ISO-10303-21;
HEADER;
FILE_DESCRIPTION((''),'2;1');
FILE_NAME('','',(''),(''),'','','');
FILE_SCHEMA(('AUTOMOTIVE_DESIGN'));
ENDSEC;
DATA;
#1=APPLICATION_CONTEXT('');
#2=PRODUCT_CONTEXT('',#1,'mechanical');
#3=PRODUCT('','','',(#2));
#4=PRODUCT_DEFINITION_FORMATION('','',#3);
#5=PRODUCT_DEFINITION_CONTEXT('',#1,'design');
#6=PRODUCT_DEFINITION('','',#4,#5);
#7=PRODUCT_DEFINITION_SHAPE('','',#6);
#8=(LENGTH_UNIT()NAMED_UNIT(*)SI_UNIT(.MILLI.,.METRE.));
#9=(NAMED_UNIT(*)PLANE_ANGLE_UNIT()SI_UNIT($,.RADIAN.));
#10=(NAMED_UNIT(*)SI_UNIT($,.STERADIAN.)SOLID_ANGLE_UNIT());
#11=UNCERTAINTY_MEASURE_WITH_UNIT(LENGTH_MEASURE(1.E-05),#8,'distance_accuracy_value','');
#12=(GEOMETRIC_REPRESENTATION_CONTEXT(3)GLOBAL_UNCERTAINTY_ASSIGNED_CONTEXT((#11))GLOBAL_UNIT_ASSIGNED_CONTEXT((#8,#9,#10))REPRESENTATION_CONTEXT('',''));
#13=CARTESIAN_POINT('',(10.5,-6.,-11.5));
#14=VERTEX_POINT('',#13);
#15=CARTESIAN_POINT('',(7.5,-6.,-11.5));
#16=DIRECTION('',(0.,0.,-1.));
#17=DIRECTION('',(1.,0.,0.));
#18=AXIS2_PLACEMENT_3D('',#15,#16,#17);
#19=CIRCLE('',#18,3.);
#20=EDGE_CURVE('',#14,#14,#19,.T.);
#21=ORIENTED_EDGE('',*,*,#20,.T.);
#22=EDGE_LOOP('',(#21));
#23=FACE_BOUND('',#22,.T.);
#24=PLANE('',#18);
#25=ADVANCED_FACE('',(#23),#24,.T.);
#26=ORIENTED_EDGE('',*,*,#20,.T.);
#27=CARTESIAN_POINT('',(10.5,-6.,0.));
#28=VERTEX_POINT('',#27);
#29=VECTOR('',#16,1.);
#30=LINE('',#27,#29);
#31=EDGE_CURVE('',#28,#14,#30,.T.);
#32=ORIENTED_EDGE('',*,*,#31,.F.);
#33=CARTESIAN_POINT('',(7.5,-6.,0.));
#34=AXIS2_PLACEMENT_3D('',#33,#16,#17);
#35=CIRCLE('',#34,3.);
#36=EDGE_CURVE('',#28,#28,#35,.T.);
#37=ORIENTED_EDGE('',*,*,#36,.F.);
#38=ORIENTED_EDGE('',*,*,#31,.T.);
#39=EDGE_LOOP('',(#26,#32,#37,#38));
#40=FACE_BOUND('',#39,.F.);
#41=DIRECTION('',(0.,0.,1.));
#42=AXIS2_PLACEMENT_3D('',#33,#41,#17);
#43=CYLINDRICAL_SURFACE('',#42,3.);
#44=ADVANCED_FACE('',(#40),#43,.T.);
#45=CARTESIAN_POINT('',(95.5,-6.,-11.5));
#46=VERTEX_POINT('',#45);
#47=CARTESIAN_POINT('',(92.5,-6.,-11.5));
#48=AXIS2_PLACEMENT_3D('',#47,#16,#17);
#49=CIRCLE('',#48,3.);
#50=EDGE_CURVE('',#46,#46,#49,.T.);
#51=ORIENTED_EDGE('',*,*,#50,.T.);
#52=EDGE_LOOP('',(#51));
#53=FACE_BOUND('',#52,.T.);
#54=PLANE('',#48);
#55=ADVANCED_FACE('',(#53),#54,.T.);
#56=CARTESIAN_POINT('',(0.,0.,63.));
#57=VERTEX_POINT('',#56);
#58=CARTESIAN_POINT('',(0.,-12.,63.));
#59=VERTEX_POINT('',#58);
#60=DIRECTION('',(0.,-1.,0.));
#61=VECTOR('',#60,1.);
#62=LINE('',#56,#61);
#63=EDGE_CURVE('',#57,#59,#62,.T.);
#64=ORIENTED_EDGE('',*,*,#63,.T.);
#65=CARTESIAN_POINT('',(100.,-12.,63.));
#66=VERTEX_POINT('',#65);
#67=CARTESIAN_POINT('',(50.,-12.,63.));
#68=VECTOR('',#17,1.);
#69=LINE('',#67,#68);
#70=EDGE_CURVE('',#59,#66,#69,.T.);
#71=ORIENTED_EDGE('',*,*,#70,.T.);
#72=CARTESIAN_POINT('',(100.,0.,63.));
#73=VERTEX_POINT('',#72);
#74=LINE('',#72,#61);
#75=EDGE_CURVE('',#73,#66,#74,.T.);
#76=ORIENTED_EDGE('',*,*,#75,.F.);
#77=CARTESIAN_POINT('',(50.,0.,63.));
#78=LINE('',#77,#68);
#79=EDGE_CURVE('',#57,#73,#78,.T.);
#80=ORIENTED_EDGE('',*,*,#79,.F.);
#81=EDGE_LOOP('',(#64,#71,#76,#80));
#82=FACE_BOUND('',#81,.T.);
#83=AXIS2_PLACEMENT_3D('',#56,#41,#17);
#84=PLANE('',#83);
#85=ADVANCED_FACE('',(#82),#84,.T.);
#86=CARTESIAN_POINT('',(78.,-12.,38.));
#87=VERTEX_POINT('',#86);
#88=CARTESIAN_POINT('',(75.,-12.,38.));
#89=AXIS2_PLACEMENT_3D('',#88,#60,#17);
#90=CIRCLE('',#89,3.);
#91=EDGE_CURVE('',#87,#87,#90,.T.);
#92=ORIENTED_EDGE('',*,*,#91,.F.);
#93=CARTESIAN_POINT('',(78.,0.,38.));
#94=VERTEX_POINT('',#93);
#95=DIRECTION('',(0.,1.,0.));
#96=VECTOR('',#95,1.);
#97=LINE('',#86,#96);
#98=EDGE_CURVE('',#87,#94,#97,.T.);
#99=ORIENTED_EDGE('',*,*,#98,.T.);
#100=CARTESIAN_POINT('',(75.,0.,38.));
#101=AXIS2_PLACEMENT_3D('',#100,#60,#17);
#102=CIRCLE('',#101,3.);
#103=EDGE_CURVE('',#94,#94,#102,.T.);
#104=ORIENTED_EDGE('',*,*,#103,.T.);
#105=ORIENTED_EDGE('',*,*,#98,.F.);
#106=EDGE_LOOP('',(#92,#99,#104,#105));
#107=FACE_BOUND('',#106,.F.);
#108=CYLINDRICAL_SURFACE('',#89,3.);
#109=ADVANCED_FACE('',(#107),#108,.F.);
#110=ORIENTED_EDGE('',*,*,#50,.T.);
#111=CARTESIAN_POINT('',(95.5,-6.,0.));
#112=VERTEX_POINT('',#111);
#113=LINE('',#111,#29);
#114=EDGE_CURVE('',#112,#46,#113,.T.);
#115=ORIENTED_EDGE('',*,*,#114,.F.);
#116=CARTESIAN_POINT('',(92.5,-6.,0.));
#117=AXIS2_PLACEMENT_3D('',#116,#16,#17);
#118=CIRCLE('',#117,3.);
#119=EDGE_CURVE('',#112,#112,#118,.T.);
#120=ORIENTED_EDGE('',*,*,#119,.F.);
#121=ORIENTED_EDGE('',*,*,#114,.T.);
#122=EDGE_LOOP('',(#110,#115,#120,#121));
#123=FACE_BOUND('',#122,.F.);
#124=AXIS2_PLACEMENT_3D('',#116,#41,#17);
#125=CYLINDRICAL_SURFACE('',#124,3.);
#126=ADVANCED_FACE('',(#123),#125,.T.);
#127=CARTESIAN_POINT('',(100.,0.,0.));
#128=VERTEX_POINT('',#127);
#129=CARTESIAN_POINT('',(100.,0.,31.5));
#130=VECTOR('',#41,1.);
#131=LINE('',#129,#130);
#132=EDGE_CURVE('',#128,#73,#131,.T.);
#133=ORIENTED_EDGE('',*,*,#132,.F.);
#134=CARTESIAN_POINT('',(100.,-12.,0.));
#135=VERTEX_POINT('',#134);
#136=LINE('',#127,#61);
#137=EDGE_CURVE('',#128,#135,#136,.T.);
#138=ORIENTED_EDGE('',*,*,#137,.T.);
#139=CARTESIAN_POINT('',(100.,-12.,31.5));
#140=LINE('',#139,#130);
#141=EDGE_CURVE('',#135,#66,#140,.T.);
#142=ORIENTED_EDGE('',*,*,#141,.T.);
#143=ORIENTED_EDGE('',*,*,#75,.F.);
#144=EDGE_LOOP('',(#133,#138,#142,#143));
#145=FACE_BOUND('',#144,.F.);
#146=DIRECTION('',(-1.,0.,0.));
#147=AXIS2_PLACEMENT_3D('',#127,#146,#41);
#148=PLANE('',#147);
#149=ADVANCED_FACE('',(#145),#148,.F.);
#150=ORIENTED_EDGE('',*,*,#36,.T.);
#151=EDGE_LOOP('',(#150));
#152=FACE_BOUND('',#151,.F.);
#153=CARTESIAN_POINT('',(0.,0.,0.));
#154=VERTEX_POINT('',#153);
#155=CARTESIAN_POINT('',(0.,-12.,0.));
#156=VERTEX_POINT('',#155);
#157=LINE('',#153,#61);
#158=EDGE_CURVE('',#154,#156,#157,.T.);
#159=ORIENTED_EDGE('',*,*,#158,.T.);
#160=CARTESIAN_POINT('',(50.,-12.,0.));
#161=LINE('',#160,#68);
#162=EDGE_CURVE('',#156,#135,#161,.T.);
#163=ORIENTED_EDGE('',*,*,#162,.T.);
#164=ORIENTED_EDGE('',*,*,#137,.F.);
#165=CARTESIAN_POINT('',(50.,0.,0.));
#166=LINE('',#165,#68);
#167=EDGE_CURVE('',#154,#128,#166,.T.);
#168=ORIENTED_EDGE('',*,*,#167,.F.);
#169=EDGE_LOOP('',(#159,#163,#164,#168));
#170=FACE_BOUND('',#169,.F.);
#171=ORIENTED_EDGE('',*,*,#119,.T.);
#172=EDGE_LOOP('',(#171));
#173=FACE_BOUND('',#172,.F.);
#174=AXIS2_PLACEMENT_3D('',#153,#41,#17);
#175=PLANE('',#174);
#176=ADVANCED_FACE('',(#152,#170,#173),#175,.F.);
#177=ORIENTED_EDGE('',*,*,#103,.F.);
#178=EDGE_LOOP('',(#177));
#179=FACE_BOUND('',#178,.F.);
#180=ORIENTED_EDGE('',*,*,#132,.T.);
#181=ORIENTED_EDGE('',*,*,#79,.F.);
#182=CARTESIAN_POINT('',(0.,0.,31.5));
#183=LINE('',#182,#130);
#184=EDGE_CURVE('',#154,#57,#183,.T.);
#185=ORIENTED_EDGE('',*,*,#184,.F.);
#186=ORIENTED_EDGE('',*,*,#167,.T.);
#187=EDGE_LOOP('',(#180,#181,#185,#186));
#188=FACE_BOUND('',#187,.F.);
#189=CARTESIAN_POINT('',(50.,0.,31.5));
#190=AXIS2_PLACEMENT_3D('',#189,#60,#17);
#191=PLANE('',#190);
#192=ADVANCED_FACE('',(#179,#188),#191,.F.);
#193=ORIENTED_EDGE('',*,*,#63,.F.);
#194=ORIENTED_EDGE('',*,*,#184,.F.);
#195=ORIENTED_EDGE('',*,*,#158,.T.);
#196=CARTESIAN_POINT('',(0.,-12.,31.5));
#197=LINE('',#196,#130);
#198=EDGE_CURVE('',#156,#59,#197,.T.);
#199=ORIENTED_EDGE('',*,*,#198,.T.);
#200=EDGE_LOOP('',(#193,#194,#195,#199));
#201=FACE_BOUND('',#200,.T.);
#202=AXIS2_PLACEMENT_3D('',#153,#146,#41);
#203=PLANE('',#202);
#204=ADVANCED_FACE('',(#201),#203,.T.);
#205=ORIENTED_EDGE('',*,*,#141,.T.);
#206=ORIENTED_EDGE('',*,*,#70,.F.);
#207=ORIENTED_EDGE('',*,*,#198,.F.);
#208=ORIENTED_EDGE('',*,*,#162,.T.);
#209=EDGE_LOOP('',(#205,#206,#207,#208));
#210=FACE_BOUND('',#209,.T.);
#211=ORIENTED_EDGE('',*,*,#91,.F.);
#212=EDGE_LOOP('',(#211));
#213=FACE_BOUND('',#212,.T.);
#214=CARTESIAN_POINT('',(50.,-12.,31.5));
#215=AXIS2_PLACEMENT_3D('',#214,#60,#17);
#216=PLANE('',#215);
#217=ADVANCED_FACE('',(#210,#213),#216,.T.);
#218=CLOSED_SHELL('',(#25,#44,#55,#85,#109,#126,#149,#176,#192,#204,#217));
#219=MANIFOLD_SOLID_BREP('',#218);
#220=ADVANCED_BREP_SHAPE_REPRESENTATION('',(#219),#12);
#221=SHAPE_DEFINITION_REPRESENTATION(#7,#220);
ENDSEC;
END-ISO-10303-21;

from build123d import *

# Parameters (mm, degrees)
F0_W     = 100
F0_H     = 63
F1_DEPTH = 12
F2_R     = 3
F3_DEPTH = 11.5
F4_R     = 3
F5_DEPTH = 12.001


with BuildPart() as f1:
    # F0 (on Front) → F1 (new body)
    with BuildSketch(Plane.XZ):
        with Locations((50, 31.5)):
            Rectangle(F0_W, F0_H)
    extrude(amount=F1_DEPTH)

    # F2 (on face) → F3 (join)
    with BuildSketch(Plane(origin=(0, 0, 0), x_dir=(1, 0, 0), z_dir=(0, 0, -1))):
        with Locations((7.5, 6)):
            Circle(F2_R)
        with Locations((92.5, 6)):
            Circle(F2_R)
    extrude(amount=F3_DEPTH)

    # F4 (on face) → F5 (cut, through all)
    with BuildSketch(Plane.XZ.offset(12)):
        with Locations((75, 38)):
            Circle(F4_R)
    extrude(amount=-F5_DEPTH, mode=Mode.SUBTRACT)


solid = f1.part
